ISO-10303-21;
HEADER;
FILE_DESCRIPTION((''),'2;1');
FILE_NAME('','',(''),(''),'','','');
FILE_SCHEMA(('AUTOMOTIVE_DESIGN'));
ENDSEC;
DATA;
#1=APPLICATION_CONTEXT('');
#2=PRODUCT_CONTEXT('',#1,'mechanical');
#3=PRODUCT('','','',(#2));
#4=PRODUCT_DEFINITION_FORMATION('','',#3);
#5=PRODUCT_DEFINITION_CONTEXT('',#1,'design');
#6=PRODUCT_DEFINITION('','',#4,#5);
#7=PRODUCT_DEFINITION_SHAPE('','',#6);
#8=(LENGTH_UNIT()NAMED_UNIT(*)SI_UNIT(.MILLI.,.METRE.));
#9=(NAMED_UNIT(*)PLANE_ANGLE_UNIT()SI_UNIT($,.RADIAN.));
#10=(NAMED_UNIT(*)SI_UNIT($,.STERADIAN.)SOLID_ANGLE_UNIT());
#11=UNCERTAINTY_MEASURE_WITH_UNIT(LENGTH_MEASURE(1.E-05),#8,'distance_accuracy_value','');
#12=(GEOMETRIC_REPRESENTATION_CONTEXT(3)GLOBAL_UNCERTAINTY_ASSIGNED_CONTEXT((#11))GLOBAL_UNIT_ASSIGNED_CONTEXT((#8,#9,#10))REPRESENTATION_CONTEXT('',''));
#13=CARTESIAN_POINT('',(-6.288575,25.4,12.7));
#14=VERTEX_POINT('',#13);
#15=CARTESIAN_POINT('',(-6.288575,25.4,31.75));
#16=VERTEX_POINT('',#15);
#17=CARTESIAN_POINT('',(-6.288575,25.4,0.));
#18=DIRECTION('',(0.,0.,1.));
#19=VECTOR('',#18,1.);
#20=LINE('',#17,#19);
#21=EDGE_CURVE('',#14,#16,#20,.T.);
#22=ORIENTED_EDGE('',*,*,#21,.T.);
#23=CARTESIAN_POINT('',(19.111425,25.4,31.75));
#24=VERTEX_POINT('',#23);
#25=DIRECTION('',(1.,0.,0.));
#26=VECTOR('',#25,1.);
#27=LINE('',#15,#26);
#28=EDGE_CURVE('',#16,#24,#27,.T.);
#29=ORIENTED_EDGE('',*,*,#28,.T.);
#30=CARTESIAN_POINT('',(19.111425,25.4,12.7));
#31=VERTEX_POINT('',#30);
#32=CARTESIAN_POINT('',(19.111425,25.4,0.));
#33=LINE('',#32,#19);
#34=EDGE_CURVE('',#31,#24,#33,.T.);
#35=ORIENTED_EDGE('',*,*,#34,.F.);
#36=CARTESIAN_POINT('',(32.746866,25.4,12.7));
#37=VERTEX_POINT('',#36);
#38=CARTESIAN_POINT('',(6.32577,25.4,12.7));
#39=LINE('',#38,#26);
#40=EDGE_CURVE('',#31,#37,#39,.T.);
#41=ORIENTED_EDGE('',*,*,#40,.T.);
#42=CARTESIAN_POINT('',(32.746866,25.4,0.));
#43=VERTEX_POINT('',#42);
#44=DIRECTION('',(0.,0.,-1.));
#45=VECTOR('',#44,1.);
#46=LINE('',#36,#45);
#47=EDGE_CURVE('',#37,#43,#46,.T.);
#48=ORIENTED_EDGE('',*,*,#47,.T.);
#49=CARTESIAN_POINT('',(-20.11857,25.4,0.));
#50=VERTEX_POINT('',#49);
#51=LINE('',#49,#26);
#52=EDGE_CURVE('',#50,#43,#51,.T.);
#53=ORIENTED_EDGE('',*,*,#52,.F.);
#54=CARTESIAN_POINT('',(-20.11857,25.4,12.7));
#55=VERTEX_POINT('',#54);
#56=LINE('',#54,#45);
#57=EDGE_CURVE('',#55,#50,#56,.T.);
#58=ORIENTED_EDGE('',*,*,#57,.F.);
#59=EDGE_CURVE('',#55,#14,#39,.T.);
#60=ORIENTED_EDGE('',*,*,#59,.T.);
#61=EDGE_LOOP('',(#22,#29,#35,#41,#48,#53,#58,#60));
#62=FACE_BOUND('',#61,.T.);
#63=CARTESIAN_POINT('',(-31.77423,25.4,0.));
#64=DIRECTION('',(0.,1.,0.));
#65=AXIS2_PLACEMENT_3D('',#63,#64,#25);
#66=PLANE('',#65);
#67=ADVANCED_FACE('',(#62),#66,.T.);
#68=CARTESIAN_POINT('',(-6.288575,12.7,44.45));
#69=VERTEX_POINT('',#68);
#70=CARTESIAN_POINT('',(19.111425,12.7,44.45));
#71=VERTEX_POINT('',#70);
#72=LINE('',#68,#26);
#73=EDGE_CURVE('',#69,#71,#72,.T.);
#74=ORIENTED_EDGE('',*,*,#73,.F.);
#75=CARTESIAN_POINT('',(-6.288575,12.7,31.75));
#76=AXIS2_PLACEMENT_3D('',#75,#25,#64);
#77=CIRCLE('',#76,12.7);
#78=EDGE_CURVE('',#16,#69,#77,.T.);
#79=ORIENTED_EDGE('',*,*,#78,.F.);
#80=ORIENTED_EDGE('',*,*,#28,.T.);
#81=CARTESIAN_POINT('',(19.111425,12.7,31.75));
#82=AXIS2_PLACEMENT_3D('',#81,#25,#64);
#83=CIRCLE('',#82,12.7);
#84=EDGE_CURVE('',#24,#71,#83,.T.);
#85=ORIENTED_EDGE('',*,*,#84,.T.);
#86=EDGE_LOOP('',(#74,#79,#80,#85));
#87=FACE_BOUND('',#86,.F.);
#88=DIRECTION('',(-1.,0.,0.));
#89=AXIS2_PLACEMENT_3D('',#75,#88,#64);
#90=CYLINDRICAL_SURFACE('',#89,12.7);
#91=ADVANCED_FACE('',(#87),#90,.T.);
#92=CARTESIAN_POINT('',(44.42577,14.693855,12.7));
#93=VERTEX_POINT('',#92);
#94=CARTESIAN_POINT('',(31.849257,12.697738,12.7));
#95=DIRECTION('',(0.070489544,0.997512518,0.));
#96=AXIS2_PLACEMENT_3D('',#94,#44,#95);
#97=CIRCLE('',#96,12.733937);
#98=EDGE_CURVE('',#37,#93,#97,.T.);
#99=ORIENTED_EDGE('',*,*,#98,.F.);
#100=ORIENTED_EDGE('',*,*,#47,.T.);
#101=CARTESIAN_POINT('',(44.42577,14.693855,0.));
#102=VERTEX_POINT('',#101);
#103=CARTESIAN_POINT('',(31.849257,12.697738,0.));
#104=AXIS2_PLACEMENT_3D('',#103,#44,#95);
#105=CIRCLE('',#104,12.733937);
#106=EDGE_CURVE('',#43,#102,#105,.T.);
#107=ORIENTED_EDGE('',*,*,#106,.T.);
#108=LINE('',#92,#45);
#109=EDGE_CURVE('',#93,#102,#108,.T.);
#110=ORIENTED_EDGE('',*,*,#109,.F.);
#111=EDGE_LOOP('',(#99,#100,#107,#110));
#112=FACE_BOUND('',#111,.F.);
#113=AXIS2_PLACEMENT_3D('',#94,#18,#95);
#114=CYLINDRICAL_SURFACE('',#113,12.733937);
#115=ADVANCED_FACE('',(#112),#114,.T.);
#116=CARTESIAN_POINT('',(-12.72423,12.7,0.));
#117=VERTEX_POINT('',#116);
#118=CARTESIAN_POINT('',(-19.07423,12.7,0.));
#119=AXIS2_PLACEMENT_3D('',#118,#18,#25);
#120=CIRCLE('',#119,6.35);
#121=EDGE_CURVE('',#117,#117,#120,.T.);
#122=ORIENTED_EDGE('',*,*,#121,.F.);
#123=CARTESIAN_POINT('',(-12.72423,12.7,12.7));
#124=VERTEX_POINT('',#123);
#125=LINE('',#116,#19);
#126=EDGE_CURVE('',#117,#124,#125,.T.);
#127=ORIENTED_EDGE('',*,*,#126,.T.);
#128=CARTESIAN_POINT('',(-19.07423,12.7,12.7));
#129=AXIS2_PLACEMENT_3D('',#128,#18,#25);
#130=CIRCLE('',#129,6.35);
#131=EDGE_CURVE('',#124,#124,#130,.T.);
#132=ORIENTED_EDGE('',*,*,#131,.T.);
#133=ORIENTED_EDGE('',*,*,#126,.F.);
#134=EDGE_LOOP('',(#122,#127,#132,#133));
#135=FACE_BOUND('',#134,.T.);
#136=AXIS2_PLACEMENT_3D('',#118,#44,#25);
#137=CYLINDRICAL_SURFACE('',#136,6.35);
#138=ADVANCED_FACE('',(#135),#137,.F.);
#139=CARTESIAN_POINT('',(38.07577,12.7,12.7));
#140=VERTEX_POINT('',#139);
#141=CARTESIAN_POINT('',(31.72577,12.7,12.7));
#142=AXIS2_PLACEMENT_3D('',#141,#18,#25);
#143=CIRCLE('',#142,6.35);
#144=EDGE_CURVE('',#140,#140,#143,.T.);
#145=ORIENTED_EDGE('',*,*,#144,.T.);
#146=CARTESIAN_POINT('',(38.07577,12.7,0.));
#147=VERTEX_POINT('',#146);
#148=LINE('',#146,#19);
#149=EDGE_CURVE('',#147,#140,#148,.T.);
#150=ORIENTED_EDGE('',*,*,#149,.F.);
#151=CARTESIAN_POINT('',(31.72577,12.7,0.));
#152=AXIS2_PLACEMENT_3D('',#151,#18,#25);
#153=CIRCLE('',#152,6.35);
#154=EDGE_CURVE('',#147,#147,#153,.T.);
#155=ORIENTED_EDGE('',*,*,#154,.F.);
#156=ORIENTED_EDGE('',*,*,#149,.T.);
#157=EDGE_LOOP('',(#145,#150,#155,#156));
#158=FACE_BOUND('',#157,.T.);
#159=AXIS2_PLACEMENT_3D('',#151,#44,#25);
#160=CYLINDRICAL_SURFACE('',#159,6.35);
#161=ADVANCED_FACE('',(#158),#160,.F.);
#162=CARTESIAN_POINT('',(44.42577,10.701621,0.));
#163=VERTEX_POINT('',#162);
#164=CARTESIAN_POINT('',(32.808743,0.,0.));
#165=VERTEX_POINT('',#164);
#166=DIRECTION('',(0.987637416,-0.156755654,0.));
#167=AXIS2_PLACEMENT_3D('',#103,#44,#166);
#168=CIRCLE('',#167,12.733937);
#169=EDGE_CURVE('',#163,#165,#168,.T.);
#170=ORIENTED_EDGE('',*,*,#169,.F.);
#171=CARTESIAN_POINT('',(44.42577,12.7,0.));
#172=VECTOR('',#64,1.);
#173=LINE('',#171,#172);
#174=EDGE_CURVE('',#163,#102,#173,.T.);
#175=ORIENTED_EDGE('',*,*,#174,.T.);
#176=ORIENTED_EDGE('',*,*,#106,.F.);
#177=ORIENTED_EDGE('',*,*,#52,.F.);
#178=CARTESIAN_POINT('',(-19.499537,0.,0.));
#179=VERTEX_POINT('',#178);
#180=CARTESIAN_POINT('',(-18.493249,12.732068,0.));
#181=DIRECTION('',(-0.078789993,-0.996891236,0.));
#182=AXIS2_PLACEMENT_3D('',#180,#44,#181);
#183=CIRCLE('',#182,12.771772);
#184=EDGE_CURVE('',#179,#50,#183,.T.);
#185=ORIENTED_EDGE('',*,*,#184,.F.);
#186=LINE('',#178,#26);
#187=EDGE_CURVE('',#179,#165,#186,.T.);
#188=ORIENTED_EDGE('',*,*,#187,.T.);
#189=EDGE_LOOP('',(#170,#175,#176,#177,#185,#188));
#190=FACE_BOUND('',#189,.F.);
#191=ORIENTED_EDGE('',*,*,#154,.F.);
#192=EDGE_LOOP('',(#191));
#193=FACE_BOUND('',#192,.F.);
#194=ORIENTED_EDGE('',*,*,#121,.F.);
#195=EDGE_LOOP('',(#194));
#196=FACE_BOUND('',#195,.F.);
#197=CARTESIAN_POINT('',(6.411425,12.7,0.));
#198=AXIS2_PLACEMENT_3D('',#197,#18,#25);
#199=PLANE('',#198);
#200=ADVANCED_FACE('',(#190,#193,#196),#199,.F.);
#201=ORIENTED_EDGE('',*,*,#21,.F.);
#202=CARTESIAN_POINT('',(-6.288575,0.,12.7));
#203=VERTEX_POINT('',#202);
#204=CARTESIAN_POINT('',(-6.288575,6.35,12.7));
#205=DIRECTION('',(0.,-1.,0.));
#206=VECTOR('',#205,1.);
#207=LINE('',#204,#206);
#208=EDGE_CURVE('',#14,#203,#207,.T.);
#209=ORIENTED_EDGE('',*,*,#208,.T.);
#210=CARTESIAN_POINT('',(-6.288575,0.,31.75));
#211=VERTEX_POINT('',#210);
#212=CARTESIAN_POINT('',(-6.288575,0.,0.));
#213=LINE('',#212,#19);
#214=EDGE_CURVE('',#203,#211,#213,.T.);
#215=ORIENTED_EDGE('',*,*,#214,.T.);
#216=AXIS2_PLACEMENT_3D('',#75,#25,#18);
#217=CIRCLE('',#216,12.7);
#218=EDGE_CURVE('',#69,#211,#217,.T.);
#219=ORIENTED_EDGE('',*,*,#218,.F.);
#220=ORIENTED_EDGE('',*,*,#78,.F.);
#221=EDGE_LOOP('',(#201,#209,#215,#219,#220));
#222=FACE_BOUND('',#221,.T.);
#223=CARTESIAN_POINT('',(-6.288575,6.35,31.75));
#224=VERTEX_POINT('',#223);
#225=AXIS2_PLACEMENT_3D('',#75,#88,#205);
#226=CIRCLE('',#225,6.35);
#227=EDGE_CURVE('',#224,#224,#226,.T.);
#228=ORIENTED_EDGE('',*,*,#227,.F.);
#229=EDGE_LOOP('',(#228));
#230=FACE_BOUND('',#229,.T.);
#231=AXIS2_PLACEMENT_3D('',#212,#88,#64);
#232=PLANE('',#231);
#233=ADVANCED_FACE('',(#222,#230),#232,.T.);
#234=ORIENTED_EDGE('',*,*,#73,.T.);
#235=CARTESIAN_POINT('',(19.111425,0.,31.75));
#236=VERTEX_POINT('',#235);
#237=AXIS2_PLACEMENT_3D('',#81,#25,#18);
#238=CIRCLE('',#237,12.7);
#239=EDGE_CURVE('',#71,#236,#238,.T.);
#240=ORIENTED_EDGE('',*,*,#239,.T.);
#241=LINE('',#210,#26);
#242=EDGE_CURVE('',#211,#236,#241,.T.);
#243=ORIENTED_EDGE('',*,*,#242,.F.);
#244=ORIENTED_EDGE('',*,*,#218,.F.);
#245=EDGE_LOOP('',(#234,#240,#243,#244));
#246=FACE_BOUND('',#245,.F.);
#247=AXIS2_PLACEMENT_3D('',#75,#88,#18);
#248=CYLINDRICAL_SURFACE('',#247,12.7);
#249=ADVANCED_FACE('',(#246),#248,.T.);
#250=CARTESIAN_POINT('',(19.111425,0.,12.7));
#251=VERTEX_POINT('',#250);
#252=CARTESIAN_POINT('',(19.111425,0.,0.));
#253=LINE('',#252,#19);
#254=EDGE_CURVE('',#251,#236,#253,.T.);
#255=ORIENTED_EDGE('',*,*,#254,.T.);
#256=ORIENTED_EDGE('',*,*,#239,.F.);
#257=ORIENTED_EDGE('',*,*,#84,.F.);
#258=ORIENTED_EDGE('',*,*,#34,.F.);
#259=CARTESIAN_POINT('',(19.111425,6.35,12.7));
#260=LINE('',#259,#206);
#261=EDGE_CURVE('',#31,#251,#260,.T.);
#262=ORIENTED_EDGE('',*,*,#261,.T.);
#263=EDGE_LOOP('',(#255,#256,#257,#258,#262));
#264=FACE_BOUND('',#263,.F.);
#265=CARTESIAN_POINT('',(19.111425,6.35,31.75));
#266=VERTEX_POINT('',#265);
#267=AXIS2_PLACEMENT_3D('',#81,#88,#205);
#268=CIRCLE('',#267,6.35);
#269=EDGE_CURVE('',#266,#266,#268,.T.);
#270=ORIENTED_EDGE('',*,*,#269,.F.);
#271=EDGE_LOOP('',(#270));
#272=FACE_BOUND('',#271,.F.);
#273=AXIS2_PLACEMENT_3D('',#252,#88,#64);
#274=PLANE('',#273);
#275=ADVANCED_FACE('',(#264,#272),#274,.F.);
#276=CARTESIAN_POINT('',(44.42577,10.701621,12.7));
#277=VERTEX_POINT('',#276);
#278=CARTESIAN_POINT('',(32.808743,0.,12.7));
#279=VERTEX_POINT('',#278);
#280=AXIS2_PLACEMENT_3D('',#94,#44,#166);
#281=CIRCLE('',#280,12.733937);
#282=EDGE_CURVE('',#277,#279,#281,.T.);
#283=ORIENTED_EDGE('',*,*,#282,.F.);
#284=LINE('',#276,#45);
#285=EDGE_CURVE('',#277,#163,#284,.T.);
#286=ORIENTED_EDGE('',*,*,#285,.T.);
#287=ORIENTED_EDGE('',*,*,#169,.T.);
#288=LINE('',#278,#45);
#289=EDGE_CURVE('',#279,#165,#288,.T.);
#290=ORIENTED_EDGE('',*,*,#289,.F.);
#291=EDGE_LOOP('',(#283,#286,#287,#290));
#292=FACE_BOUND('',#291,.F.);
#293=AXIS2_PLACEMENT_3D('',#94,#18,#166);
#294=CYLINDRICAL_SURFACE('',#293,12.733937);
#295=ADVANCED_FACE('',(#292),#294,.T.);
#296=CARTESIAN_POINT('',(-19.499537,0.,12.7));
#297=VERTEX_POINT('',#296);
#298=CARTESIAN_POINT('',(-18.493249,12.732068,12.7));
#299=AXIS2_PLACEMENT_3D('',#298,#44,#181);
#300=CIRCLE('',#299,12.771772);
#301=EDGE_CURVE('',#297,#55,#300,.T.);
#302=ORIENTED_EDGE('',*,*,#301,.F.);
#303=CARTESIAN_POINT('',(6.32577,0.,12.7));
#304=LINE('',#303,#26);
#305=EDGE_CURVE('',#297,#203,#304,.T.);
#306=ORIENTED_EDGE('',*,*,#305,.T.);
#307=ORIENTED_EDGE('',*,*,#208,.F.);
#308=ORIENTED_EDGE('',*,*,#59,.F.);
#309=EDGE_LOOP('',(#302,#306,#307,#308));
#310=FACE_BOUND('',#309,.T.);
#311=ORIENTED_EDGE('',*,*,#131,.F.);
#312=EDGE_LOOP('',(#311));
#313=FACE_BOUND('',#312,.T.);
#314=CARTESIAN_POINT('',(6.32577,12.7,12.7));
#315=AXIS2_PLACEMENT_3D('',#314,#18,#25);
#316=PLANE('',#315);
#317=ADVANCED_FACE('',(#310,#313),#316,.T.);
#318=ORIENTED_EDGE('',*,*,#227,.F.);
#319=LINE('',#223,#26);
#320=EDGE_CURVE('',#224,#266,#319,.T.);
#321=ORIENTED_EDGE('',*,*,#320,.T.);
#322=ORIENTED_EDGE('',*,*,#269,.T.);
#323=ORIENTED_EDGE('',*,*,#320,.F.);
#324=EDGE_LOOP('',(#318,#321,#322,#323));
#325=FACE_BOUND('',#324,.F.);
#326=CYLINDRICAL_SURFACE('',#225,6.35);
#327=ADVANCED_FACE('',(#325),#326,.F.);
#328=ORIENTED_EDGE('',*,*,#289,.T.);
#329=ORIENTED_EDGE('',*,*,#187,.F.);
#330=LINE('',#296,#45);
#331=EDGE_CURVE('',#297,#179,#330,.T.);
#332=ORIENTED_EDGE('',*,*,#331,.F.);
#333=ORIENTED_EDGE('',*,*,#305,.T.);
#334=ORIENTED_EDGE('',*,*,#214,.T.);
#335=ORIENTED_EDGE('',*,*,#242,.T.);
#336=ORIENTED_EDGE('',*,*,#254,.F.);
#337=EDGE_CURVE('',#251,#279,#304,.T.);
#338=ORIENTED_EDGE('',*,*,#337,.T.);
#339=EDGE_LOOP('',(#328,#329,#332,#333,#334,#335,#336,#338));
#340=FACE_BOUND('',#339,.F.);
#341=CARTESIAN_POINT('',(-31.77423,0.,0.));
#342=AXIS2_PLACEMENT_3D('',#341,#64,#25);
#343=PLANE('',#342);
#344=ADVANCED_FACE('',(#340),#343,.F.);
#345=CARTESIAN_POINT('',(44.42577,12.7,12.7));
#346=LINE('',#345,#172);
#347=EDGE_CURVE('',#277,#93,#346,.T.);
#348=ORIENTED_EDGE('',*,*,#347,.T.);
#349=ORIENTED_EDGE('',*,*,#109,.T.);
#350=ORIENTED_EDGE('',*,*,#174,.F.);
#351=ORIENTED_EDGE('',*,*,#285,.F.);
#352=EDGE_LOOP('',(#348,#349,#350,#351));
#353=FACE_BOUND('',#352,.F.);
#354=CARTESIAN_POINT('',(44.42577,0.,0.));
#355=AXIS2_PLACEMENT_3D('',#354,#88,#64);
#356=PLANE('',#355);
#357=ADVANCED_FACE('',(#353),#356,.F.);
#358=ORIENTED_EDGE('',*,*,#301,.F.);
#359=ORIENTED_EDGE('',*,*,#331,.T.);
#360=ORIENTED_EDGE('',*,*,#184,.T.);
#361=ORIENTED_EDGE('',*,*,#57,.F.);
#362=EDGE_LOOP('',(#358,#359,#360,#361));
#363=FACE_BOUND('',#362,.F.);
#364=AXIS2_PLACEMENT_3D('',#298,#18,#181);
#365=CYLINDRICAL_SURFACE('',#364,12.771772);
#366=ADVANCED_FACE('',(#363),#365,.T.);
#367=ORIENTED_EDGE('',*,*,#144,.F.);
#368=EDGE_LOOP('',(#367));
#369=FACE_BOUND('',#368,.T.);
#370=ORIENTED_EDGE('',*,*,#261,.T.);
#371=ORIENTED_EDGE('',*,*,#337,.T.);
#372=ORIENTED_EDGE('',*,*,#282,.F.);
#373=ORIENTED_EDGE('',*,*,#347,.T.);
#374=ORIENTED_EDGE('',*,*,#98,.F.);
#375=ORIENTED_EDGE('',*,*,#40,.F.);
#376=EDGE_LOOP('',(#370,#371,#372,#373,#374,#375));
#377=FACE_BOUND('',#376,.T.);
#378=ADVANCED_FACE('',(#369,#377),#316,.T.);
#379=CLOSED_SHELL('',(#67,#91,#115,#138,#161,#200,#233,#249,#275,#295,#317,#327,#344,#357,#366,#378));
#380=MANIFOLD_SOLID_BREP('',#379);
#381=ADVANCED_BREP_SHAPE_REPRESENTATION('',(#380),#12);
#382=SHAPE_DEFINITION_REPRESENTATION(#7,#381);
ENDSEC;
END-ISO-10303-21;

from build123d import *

# Parameters (mm, degrees)
F0_W     = 76.2
F0_H     = 25.4
F0_R     = 6.35
F1_DEPTH = 12.7
F3_DEPTH = 12.7
F4_W     = 25.4
F4_H     = 25.4
F5_DEPTH = 44.45
F7_DEPTH = 25.4
F8_R     = 6.35
F9_DEPTH = 25.4


with BuildPart() as f1:
    # F0 (on Top) → F1 (new body)
    with BuildSketch(Plane.XY):
        with Locations((6.3257696523, 12.7)):
            Rectangle(F0_W, F0_H)
        with Locations((-19.0742303477, 12.7)):
            Circle(F0_R, mode=Mode.SUBTRACT)
        with Locations((31.7257696523, 12.7)):
            Circle(F0_R, mode=Mode.SUBTRACT)
    extrude(amount=F1_DEPTH)

    # F2 (on face) → F3 (cut)
    with BuildSketch(Plane.XY.offset(12.7)):
        with BuildLine():
            ThreePointArc((-19.4995366037, 0), (-31.2612298583, 12.4208945177), (-20.1185699552, 25.4))
            Line((-20.1185699552, 25.4), (-31.7742303477, 25.4))
            Line((-31.7742303477, 25.4), (-31.7742303477, 0))
            Line((-31.7742303477, 0), (-19.4995366037, 0))
        make_face()
        with BuildLine():
            Line((44.4257696523, 25.4), (32.7468659845, 25.4))
            ThreePointArc((32.7468659845, 25.4), (40.454102952, 22.0844190513), (44.4257696523, 14.6938546396))
            Line((44.4257696523, 14.6938546396), (44.4257696523, 25.4))
        make_face()
        with BuildLine():
            ThreePointArc((44.4257696523, 10.701621252), (40.4769444267, 3.3320470648), (32.8087434173, 0))
            Line((32.8087434173, 0), (44.4257696523, 0))
            Line((44.4257696523, 0), (44.4257696523, 10.701621252))
        make_face()
    extrude(amount=-F3_DEPTH, mode=Mode.SUBTRACT)

    # F4 (on Top) → F5 (join)
    with BuildSketch(Plane.XY):
        with Locations((6.41142525, 12.7)):
            Rectangle(F4_W, F4_H)
    extrude(amount=F5_DEPTH)

    # F6 (on face) → F7 (cut)
    with BuildSketch(Plane(origin=(-6.28857475, 0, 0), x_dir=(0, -1, 0), z_dir=(-1, 0, 0))):
        with BuildLine():
            ThreePointArc((-25.4, 31.75), (-21.6802561211, 40.7302561211), (-12.7, 44.45))
            Line((-12.7, 44.45), (-25.4, 44.45))
            Line((-25.4, 44.45), (-25.4, 31.75))
        make_face()
        with BuildLine():
            ThreePointArc((-12.7, 44.45), (-3.7197438789, 40.7302561211), (0, 31.75))
            Line((0, 31.75), (0, 44.45))
            Line((0, 44.45), (-12.7, 44.45))
        make_face()
    extrude(amount=-F7_DEPTH, mode=Mode.SUBTRACT)

    # F8 (on face) → F9 (cut)
    with BuildSketch(Plane(origin=(-6.28857475, 0, 0), x_dir=(0, -1, 0), z_dir=(-1, 0, 0))):
        with Locations((-12.7, 31.75)):
            Circle(F8_R)
    extrude(amount=-F9_DEPTH, mode=Mode.SUBTRACT)


solid = f1.part
